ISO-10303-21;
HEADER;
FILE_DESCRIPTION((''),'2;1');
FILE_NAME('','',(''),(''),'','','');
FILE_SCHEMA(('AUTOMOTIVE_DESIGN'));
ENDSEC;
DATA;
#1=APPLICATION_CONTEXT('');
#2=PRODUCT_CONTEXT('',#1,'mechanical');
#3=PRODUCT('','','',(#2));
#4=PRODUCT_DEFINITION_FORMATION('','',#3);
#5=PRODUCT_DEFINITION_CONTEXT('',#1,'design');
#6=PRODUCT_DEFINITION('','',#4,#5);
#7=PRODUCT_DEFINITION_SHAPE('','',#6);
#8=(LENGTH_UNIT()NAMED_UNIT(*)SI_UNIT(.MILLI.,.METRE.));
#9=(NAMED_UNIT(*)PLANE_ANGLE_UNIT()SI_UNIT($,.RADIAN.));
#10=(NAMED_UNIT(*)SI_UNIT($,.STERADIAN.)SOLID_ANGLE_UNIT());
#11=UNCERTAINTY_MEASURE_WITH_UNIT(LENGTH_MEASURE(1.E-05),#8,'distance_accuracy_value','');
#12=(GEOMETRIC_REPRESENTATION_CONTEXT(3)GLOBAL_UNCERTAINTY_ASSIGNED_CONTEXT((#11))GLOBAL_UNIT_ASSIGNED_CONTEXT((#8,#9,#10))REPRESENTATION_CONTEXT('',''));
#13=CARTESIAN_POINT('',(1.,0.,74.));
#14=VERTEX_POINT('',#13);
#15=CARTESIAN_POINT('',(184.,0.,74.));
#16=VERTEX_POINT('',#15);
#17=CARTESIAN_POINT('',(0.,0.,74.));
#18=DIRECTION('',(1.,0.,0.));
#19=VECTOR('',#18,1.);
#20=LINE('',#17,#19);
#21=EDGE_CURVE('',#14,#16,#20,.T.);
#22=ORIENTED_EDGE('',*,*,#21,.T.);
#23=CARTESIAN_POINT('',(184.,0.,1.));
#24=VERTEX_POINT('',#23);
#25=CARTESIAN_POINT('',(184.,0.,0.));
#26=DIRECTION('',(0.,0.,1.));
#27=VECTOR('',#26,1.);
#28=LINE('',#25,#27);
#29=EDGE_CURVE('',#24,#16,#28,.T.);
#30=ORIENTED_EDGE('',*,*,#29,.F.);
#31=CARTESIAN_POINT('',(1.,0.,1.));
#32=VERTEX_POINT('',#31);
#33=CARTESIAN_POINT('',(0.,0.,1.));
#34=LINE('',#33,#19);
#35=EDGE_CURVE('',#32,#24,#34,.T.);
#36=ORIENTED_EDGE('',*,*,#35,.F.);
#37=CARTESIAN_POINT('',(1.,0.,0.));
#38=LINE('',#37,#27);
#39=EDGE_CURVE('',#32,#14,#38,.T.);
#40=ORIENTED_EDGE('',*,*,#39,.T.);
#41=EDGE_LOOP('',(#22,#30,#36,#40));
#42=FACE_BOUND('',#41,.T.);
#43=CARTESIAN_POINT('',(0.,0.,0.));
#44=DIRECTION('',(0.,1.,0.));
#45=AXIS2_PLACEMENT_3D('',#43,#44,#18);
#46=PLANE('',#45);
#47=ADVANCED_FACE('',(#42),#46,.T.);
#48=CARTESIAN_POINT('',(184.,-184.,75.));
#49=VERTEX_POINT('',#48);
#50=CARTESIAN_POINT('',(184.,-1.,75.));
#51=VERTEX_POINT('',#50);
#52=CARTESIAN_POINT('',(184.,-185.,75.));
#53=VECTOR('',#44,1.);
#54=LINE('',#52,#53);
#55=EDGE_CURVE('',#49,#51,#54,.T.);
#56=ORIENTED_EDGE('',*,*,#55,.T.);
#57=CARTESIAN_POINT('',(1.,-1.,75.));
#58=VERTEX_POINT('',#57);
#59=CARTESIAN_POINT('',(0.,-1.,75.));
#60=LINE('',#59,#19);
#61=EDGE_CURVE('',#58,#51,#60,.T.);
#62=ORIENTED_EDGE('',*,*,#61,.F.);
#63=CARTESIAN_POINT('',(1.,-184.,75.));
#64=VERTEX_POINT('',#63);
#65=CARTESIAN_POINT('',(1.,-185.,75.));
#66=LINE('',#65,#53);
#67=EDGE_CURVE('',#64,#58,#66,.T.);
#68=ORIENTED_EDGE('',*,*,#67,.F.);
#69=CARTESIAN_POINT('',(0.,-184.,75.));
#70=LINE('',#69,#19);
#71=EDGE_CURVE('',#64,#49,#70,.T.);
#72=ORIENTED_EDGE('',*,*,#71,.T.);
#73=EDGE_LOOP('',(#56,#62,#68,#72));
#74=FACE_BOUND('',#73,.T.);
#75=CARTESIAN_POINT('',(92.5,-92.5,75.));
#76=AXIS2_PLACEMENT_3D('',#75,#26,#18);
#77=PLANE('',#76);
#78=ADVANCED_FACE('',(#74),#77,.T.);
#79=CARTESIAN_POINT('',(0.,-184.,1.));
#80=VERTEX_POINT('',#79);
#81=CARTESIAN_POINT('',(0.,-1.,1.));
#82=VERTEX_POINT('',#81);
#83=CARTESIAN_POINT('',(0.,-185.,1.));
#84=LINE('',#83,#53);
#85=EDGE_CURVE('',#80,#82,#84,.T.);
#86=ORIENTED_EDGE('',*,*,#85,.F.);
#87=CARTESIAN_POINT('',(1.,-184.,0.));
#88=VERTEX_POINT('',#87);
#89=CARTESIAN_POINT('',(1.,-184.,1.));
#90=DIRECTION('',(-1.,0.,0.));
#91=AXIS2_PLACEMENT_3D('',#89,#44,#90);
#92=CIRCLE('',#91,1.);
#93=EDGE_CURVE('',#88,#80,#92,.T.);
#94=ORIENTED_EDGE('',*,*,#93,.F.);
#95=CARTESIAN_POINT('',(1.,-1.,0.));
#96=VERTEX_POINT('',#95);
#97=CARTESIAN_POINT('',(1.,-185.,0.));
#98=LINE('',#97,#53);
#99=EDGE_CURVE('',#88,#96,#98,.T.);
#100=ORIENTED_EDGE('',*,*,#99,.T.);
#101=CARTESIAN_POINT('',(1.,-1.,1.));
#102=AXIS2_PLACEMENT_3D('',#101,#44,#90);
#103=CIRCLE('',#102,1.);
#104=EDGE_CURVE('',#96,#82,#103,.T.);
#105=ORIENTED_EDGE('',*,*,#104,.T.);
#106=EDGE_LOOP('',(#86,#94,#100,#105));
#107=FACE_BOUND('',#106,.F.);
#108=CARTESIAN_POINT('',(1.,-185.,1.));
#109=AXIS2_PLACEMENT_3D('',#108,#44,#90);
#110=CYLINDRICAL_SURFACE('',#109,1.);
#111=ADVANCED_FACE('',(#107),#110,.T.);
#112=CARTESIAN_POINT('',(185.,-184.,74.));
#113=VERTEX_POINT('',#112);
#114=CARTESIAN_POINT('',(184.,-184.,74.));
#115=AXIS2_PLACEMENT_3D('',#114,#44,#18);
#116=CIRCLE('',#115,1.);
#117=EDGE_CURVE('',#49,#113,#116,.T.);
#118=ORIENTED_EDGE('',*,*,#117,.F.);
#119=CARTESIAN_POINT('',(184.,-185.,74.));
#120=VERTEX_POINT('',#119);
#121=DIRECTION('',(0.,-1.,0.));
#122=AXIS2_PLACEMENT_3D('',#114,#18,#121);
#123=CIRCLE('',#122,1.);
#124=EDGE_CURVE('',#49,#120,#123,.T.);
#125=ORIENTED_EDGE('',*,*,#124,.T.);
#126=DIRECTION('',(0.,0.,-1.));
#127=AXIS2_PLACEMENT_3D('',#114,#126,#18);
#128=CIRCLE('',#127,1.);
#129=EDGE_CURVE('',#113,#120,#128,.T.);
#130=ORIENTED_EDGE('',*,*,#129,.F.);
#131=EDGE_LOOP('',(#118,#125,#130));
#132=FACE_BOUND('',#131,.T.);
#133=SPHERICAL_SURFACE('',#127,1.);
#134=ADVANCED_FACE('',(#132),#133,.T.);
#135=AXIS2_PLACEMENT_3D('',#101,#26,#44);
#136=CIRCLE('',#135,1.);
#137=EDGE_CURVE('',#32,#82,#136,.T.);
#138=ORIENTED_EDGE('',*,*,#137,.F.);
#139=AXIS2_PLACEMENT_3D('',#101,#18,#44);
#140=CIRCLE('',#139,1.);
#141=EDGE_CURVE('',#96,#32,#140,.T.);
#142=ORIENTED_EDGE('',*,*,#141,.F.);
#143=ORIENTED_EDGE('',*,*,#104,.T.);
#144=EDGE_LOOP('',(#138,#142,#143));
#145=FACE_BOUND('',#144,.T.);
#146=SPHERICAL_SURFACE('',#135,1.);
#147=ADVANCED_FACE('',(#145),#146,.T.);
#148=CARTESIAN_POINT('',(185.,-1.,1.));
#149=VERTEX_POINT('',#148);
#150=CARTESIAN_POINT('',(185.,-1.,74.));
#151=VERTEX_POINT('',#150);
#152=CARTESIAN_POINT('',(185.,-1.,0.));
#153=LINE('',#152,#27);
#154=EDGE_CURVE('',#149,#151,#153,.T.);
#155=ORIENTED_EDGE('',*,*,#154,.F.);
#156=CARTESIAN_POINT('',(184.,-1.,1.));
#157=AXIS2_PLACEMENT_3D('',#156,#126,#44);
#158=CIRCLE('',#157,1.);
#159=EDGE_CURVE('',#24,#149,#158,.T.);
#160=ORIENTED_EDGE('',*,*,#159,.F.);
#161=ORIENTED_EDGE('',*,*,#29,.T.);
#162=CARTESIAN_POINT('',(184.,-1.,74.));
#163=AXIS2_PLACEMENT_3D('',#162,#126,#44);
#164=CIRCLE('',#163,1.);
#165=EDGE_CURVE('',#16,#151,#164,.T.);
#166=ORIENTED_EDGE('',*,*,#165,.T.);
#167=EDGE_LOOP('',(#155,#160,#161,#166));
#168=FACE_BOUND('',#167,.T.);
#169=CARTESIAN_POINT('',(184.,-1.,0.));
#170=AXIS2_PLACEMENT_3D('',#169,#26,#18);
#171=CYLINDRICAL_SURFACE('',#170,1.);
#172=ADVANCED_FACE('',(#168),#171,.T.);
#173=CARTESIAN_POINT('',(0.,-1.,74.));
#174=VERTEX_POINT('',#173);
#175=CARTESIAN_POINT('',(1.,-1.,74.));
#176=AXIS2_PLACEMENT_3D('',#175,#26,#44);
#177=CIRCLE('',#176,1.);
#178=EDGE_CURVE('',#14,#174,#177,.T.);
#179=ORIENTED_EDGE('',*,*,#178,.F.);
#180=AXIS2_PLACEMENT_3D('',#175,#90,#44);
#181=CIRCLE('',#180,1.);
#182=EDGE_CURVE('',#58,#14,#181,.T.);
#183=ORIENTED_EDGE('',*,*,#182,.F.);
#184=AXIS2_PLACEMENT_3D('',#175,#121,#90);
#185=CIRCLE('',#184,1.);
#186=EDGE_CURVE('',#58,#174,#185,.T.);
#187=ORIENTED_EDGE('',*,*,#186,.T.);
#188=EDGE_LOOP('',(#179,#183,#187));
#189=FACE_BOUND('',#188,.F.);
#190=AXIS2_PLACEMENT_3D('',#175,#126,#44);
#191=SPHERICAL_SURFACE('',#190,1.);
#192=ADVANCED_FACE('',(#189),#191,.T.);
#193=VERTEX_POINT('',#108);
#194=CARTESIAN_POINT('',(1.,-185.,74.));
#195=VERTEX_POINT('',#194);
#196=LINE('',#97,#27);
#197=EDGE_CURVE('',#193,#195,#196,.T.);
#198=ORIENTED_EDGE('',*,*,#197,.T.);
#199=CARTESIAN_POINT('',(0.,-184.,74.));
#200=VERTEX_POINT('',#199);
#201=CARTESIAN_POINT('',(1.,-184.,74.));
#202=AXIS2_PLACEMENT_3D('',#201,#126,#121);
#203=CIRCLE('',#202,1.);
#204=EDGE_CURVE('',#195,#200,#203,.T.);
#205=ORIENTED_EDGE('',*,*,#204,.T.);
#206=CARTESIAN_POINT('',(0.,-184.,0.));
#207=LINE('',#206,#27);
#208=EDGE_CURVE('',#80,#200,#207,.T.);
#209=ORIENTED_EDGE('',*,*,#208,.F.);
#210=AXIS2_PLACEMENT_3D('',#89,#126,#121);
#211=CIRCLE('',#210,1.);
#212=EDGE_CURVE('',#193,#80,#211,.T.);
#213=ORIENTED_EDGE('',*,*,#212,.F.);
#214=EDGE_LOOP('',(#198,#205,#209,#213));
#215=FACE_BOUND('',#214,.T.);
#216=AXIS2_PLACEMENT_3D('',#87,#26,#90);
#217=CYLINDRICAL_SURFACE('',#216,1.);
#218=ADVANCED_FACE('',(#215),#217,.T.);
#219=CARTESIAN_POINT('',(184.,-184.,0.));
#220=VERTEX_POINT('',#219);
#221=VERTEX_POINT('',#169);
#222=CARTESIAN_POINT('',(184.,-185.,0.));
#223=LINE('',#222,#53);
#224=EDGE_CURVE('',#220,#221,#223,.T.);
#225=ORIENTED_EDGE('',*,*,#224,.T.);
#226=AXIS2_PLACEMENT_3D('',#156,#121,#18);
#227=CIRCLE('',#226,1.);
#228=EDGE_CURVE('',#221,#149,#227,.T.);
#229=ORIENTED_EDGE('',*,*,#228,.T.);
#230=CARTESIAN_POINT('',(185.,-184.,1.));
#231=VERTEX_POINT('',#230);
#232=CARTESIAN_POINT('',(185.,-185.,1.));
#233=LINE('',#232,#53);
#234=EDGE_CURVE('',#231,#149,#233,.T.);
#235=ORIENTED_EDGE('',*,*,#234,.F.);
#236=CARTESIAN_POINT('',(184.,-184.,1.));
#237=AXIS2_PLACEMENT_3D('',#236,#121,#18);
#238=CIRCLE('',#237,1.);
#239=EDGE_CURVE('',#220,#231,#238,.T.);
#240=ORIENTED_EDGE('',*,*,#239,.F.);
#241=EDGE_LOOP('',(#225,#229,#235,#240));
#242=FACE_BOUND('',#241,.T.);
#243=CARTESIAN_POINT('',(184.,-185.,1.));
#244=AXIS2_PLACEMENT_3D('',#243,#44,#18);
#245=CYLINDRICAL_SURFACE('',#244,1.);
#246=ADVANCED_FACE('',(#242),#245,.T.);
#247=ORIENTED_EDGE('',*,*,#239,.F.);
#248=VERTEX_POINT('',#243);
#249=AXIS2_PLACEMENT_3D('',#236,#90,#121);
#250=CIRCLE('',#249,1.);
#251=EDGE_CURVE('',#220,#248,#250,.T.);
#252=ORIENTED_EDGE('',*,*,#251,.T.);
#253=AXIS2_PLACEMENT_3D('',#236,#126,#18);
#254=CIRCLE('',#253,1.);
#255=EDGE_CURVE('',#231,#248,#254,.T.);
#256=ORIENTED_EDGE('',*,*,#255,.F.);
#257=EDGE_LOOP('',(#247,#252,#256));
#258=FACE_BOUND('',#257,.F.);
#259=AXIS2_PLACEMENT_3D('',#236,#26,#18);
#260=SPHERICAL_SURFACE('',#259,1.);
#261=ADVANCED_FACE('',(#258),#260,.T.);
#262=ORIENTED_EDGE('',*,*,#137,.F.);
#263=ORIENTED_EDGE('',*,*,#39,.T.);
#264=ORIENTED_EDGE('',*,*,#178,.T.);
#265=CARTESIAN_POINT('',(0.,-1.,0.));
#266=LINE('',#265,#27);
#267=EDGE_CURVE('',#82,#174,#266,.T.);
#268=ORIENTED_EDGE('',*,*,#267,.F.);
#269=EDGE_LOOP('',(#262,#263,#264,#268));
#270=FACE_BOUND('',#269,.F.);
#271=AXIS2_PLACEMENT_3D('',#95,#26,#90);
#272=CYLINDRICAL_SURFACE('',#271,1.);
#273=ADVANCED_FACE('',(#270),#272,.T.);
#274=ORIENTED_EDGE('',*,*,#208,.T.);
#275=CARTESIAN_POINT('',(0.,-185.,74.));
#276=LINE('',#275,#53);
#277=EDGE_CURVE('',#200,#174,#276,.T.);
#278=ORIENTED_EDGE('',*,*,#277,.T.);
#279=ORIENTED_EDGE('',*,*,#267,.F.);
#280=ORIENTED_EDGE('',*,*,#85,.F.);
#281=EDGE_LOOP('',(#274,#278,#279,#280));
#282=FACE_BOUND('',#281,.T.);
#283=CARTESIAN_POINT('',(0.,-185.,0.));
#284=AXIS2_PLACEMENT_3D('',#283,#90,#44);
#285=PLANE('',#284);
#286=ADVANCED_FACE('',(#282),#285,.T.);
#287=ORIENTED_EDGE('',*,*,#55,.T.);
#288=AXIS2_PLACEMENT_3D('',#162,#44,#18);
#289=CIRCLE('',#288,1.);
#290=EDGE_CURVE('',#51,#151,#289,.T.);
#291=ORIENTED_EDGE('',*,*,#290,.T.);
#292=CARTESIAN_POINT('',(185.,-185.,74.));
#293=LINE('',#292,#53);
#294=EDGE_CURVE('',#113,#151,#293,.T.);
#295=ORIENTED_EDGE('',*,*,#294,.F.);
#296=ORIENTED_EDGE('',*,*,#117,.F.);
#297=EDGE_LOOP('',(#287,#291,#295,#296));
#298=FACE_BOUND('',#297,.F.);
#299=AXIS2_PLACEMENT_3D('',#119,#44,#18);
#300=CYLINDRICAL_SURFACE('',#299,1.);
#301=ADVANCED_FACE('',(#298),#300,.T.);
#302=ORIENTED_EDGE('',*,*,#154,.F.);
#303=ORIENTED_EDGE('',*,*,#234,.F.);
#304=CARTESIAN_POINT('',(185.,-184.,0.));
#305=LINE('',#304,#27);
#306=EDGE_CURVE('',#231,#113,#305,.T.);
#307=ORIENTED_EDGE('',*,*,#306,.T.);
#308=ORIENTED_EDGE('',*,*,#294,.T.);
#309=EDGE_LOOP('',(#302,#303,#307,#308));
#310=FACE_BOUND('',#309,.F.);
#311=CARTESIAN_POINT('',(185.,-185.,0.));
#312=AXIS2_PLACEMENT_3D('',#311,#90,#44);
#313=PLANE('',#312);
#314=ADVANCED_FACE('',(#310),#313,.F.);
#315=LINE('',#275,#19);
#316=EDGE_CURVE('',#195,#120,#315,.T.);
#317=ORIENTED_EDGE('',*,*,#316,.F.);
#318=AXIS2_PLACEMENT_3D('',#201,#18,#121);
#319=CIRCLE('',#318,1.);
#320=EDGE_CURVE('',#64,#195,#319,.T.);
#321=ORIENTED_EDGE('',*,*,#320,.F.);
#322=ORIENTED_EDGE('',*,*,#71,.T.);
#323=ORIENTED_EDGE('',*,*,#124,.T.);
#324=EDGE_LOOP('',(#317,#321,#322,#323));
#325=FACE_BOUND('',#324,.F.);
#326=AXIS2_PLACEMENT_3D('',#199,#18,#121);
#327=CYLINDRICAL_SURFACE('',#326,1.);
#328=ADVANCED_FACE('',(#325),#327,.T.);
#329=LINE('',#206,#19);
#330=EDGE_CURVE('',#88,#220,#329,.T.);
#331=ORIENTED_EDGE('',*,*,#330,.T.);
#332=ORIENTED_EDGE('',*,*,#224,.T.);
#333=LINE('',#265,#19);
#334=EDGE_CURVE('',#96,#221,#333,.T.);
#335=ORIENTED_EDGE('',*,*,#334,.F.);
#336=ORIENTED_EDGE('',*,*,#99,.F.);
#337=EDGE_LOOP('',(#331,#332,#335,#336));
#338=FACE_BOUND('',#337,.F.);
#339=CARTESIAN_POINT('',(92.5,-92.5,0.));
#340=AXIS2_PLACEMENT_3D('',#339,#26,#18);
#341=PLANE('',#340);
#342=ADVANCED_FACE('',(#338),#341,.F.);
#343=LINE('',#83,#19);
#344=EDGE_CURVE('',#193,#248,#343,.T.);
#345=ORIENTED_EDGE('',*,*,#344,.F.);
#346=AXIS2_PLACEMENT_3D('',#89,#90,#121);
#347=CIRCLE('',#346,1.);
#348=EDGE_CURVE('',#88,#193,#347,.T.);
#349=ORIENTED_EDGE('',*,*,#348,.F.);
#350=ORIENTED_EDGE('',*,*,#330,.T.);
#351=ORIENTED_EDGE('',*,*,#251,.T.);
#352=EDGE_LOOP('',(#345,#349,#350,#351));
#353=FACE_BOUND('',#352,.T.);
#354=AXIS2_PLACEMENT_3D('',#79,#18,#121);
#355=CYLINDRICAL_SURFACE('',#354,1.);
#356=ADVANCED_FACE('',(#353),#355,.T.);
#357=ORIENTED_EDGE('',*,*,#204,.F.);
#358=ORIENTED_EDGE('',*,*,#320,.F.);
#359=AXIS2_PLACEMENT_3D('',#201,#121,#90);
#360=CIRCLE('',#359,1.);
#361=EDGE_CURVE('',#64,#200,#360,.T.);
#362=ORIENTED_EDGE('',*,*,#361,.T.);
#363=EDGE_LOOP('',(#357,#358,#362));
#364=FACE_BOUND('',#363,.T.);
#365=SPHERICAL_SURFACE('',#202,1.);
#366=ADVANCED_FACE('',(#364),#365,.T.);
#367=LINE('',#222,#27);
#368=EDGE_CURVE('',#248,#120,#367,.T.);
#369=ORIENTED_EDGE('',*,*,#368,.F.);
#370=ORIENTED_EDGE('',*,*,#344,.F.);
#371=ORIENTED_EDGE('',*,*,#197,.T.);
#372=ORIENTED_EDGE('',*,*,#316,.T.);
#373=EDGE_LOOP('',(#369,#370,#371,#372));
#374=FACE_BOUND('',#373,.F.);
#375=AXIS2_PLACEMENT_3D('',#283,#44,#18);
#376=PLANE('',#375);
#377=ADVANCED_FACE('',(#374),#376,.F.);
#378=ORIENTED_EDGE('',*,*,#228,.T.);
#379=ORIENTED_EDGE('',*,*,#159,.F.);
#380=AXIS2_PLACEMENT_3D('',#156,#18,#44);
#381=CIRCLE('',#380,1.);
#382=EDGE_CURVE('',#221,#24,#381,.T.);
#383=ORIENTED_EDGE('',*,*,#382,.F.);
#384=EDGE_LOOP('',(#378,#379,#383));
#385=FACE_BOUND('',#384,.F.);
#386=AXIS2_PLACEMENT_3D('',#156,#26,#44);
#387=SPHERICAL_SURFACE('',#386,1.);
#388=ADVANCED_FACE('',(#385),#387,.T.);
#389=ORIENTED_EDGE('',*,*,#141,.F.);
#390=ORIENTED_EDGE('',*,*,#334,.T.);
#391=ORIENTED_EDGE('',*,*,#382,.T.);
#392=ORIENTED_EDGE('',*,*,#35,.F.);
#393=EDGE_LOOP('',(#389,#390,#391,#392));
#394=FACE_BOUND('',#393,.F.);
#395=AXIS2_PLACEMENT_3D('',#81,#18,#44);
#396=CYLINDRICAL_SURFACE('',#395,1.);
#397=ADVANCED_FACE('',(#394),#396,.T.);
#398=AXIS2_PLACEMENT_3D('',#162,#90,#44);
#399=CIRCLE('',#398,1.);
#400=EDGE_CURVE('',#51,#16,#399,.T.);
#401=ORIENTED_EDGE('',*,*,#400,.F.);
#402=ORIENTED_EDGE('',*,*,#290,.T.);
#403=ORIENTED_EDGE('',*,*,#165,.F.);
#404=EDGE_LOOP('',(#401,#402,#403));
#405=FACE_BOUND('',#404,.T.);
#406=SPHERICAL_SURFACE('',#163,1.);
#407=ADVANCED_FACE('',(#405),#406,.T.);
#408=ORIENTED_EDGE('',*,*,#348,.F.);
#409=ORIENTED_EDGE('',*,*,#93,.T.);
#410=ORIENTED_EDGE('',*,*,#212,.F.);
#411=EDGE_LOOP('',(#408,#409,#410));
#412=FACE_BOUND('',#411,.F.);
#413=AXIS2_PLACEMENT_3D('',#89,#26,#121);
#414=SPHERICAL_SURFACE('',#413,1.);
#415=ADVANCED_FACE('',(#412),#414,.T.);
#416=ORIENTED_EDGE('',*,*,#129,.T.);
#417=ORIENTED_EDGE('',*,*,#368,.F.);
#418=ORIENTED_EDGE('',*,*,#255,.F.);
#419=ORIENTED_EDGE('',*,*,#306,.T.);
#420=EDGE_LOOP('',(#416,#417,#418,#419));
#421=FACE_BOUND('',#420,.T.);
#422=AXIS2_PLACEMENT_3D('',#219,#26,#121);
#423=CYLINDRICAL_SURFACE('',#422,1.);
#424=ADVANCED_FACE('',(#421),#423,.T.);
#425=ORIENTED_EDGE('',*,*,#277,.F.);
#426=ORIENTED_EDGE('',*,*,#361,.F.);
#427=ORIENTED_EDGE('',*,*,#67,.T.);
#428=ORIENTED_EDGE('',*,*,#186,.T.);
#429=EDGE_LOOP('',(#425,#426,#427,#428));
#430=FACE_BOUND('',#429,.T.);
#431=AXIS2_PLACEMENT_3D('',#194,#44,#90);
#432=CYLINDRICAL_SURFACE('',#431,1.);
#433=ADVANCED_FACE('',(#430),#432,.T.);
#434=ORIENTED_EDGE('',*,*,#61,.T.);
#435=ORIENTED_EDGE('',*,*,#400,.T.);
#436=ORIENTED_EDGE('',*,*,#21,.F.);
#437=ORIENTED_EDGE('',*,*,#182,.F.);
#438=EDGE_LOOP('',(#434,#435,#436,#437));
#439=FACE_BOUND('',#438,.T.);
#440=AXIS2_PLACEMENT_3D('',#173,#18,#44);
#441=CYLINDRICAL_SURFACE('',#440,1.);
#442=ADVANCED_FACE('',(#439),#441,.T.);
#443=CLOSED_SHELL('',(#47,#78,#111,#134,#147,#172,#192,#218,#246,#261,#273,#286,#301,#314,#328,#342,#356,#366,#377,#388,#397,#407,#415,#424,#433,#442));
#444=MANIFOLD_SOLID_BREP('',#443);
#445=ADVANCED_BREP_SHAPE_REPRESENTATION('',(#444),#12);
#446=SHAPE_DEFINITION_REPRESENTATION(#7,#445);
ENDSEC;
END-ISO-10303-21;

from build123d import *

# Parameters (mm, degrees)
SKETCH_W  = 185
SKETCH_H  = 185
PAD_DEPTH = 75
FILLET_R  = 1


with BuildPart() as part:
    # Sketch → Pad (new body)
    with BuildSketch(Plane.XY):
        with Locations((92.5, -92.5)):
            Rectangle(SKETCH_W, SKETCH_H)
    extrude(amount=PAD_DEPTH)

    # Fillet
    fillet_edges = [part.edges().sort_by_distance(p)[0] for p in [
        (0, 0, 37.5),
        (185, 0, 37.5),
        (92.5, 0, 0),
        (92.5, 0, 75),
        (185, -185, 37.5),
        (185, -92.5, 0),
        (185, -92.5, 75),
        (0, -185, 37.5),
        (92.5, -185, 0),
        (92.5, -185, 75),
        (0, -92.5, 0),
        (0, -92.5, 75),
    ]]
    fillet(fillet_edges, radius=FILLET_R)


solid = part.part
